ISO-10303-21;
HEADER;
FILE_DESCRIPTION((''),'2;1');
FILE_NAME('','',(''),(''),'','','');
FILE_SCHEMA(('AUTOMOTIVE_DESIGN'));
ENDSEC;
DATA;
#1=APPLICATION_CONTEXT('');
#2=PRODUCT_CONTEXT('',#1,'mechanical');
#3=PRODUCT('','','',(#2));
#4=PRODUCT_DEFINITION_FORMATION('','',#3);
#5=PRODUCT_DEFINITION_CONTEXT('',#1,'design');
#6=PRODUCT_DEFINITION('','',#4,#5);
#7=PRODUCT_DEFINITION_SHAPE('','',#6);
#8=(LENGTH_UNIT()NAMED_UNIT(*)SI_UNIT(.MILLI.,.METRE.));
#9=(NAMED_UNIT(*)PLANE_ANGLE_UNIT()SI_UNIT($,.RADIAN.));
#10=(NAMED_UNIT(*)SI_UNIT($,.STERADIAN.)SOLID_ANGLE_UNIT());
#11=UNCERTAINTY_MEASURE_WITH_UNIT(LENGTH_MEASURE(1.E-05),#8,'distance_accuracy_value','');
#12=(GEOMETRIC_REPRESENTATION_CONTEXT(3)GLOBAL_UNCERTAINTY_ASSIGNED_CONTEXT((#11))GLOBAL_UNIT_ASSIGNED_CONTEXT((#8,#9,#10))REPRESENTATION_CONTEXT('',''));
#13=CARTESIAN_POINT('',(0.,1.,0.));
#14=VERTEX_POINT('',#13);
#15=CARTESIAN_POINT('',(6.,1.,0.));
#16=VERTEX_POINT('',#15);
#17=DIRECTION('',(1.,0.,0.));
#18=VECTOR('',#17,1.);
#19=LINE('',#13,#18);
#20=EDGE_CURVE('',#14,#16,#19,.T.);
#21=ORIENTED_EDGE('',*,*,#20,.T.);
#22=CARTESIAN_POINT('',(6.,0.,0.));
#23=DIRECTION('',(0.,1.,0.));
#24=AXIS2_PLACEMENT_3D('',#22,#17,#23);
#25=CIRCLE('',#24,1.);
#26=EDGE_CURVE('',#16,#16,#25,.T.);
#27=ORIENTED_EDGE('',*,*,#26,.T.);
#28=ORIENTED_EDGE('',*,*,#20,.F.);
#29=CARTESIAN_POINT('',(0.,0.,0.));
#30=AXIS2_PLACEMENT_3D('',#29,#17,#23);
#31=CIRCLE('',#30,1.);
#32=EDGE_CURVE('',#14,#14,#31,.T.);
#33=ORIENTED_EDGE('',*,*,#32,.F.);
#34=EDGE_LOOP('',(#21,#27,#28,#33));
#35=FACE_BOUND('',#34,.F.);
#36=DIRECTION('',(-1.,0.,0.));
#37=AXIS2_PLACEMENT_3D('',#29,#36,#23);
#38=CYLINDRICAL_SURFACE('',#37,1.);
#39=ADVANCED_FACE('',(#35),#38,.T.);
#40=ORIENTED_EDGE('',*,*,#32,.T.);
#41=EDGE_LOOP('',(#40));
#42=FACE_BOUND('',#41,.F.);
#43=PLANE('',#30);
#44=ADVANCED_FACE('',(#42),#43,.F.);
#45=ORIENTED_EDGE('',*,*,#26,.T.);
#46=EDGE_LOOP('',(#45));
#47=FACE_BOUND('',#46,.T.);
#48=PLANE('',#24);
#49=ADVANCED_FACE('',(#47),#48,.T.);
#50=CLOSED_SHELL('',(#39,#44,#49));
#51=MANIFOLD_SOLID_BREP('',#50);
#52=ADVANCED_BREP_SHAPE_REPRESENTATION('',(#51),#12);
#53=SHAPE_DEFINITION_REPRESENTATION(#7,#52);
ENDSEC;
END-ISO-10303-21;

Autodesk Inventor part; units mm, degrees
ref_plane "YZ Plane" through (0, 0, 0) normal (1, 0, 0) x (0, 1, 0)
ref_plane "XZ Plane" through (0, 0, 0) normal (0, 1, 0) x (-1, 0, 0)
ref_plane "XY Plane" through (0, 0, 0) normal (0, 0, 1) x (1, 0, 0)
sketch "草圖1" plane through (0, 0, 0) normal (1, 0, 0) x (0, 1, 0)
  circle A0 centre (0, 0) radius 1
  dimension "d0" = 2
extrude "擠出1" add sketch "草圖1" along normal blind 6
properties part number "銷6"
